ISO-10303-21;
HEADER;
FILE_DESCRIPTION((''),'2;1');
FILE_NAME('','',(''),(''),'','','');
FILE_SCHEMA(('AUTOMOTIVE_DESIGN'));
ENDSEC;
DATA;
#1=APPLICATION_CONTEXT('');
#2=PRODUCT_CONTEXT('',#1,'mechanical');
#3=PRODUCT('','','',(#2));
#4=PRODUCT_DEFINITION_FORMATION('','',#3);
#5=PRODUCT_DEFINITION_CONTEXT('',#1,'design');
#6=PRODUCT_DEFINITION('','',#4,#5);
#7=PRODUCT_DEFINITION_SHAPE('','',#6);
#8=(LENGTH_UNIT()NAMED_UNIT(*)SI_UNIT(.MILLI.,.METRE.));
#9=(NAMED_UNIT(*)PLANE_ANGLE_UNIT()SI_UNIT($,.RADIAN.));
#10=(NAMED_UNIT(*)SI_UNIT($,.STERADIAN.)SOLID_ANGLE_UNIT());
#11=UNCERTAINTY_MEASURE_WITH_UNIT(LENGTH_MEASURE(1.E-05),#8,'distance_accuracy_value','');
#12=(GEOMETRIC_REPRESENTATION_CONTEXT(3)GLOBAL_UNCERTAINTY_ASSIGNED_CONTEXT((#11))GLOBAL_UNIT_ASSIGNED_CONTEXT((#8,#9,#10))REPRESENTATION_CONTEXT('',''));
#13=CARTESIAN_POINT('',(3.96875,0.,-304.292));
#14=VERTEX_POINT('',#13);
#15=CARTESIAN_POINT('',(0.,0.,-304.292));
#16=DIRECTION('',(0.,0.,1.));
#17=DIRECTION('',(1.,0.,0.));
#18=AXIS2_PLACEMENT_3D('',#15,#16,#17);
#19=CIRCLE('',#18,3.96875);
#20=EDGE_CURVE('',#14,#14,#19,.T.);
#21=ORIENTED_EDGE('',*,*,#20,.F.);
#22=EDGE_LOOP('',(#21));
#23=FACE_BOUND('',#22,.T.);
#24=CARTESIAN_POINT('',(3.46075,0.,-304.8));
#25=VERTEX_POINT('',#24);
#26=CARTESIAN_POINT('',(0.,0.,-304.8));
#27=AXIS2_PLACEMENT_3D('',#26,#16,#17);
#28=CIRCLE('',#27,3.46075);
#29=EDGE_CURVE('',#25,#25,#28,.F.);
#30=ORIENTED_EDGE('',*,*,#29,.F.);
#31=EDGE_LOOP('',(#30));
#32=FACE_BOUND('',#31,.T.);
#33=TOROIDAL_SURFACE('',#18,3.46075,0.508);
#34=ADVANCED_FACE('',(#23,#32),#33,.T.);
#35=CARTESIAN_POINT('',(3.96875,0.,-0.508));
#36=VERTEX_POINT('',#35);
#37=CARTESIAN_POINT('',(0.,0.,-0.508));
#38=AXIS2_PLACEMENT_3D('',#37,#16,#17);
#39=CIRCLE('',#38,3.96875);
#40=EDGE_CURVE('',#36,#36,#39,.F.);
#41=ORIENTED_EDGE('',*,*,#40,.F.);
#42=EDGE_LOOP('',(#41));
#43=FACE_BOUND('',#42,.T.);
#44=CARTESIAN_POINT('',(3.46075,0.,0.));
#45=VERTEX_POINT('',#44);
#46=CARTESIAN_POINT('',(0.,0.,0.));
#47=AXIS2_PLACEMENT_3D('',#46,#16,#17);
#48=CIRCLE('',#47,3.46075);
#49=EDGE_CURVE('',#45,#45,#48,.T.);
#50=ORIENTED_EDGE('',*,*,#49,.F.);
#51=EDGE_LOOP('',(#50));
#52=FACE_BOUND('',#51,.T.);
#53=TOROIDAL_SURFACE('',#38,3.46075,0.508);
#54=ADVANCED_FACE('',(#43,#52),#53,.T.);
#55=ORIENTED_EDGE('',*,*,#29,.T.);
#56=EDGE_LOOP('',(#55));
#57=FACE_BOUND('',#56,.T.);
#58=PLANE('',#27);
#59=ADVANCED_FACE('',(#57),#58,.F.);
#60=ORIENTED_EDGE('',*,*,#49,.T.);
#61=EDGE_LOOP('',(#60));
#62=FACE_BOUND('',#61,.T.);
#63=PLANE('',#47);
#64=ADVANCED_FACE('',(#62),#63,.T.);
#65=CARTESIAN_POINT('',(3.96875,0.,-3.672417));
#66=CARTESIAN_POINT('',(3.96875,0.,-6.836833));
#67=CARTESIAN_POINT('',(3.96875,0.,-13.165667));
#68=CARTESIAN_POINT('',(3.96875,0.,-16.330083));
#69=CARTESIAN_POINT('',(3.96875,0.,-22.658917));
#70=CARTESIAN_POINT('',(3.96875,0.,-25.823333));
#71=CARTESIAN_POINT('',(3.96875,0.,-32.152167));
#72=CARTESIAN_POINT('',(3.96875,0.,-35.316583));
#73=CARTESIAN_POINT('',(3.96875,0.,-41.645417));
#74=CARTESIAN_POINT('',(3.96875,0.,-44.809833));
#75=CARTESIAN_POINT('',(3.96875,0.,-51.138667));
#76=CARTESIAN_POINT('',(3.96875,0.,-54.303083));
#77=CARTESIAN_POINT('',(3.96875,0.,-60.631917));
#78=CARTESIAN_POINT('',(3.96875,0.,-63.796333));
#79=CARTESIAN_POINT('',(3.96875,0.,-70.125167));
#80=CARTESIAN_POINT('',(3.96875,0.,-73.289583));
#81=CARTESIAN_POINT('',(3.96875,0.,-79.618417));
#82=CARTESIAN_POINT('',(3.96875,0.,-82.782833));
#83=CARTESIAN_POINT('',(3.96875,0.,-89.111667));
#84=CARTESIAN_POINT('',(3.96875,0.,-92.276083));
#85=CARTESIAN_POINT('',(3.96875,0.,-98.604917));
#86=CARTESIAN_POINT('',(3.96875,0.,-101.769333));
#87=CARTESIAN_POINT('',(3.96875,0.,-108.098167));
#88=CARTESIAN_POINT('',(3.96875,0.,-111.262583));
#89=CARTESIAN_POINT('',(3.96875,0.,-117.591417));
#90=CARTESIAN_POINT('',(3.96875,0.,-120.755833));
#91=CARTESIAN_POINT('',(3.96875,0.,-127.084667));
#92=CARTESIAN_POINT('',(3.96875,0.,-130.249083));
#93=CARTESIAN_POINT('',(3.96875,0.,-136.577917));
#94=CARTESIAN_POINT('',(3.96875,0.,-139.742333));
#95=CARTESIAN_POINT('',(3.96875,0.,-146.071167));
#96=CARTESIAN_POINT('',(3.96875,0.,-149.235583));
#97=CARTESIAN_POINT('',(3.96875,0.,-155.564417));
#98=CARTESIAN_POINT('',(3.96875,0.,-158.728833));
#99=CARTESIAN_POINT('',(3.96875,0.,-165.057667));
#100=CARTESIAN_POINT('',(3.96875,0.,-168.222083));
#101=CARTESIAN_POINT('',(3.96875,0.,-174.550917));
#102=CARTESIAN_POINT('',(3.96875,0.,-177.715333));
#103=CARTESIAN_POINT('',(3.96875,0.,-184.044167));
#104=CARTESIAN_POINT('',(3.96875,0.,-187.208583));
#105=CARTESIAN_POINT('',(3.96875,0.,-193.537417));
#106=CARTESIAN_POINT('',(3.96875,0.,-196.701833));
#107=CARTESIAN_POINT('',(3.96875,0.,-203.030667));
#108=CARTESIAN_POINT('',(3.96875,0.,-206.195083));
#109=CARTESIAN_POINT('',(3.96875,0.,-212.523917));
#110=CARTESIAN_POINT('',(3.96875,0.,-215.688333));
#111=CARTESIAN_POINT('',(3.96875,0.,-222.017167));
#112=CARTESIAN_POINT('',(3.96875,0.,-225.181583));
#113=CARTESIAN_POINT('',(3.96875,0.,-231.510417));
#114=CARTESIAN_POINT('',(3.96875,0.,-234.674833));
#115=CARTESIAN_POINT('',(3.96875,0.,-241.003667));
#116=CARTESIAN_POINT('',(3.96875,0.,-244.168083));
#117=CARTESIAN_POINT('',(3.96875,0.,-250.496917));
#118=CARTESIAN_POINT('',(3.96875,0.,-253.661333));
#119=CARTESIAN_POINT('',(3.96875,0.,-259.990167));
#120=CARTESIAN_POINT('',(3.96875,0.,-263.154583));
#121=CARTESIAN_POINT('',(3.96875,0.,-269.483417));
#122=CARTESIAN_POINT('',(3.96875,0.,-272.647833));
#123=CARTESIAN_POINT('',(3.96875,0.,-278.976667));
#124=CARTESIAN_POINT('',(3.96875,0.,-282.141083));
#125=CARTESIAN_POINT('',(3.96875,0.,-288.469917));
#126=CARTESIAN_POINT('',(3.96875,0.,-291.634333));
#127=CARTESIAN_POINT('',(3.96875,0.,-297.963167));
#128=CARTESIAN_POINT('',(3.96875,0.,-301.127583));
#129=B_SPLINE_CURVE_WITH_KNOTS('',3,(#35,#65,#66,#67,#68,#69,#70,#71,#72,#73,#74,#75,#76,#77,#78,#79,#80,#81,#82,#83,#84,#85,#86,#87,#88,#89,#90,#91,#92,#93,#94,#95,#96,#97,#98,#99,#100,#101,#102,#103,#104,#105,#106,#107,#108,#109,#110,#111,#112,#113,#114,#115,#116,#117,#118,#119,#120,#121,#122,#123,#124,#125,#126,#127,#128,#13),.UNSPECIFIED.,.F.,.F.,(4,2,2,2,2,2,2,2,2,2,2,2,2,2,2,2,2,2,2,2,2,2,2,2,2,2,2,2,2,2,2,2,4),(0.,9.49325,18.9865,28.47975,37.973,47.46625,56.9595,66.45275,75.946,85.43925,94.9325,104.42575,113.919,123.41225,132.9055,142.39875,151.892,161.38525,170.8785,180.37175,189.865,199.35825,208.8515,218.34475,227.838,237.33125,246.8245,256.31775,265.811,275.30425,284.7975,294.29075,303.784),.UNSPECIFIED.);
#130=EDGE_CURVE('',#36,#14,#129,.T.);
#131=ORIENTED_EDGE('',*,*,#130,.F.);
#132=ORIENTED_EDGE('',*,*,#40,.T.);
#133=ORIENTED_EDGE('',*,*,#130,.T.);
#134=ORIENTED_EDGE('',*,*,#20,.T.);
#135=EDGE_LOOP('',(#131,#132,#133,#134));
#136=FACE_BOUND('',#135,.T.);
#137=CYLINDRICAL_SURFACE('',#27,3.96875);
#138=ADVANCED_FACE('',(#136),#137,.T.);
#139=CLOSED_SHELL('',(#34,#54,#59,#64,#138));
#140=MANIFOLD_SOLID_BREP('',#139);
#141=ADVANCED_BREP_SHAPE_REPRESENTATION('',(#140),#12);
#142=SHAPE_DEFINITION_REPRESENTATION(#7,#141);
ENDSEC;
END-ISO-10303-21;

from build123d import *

# Parameters (mm, degrees)
SKETCH1_R      = 3.96875
EXTRUDE1_DEPTH = 304.8
FILLET1_R      = 0.508


with BuildPart() as part:
    # Sketch1 → Extrude1 (new body)
    with BuildSketch(Plane.XY):
        Circle(SKETCH1_R)
    extrude(amount=-EXTRUDE1_DEPTH)

    # Fillet1
    fillet1_edges = [part.edges().sort_by_distance(p)[0] for p in [
        (-3.96875, 0, 0),
        (-3.96875, 0, -304.8),
    ]]
    fillet(fillet1_edges, radius=FILLET1_R)


solid = part.part
